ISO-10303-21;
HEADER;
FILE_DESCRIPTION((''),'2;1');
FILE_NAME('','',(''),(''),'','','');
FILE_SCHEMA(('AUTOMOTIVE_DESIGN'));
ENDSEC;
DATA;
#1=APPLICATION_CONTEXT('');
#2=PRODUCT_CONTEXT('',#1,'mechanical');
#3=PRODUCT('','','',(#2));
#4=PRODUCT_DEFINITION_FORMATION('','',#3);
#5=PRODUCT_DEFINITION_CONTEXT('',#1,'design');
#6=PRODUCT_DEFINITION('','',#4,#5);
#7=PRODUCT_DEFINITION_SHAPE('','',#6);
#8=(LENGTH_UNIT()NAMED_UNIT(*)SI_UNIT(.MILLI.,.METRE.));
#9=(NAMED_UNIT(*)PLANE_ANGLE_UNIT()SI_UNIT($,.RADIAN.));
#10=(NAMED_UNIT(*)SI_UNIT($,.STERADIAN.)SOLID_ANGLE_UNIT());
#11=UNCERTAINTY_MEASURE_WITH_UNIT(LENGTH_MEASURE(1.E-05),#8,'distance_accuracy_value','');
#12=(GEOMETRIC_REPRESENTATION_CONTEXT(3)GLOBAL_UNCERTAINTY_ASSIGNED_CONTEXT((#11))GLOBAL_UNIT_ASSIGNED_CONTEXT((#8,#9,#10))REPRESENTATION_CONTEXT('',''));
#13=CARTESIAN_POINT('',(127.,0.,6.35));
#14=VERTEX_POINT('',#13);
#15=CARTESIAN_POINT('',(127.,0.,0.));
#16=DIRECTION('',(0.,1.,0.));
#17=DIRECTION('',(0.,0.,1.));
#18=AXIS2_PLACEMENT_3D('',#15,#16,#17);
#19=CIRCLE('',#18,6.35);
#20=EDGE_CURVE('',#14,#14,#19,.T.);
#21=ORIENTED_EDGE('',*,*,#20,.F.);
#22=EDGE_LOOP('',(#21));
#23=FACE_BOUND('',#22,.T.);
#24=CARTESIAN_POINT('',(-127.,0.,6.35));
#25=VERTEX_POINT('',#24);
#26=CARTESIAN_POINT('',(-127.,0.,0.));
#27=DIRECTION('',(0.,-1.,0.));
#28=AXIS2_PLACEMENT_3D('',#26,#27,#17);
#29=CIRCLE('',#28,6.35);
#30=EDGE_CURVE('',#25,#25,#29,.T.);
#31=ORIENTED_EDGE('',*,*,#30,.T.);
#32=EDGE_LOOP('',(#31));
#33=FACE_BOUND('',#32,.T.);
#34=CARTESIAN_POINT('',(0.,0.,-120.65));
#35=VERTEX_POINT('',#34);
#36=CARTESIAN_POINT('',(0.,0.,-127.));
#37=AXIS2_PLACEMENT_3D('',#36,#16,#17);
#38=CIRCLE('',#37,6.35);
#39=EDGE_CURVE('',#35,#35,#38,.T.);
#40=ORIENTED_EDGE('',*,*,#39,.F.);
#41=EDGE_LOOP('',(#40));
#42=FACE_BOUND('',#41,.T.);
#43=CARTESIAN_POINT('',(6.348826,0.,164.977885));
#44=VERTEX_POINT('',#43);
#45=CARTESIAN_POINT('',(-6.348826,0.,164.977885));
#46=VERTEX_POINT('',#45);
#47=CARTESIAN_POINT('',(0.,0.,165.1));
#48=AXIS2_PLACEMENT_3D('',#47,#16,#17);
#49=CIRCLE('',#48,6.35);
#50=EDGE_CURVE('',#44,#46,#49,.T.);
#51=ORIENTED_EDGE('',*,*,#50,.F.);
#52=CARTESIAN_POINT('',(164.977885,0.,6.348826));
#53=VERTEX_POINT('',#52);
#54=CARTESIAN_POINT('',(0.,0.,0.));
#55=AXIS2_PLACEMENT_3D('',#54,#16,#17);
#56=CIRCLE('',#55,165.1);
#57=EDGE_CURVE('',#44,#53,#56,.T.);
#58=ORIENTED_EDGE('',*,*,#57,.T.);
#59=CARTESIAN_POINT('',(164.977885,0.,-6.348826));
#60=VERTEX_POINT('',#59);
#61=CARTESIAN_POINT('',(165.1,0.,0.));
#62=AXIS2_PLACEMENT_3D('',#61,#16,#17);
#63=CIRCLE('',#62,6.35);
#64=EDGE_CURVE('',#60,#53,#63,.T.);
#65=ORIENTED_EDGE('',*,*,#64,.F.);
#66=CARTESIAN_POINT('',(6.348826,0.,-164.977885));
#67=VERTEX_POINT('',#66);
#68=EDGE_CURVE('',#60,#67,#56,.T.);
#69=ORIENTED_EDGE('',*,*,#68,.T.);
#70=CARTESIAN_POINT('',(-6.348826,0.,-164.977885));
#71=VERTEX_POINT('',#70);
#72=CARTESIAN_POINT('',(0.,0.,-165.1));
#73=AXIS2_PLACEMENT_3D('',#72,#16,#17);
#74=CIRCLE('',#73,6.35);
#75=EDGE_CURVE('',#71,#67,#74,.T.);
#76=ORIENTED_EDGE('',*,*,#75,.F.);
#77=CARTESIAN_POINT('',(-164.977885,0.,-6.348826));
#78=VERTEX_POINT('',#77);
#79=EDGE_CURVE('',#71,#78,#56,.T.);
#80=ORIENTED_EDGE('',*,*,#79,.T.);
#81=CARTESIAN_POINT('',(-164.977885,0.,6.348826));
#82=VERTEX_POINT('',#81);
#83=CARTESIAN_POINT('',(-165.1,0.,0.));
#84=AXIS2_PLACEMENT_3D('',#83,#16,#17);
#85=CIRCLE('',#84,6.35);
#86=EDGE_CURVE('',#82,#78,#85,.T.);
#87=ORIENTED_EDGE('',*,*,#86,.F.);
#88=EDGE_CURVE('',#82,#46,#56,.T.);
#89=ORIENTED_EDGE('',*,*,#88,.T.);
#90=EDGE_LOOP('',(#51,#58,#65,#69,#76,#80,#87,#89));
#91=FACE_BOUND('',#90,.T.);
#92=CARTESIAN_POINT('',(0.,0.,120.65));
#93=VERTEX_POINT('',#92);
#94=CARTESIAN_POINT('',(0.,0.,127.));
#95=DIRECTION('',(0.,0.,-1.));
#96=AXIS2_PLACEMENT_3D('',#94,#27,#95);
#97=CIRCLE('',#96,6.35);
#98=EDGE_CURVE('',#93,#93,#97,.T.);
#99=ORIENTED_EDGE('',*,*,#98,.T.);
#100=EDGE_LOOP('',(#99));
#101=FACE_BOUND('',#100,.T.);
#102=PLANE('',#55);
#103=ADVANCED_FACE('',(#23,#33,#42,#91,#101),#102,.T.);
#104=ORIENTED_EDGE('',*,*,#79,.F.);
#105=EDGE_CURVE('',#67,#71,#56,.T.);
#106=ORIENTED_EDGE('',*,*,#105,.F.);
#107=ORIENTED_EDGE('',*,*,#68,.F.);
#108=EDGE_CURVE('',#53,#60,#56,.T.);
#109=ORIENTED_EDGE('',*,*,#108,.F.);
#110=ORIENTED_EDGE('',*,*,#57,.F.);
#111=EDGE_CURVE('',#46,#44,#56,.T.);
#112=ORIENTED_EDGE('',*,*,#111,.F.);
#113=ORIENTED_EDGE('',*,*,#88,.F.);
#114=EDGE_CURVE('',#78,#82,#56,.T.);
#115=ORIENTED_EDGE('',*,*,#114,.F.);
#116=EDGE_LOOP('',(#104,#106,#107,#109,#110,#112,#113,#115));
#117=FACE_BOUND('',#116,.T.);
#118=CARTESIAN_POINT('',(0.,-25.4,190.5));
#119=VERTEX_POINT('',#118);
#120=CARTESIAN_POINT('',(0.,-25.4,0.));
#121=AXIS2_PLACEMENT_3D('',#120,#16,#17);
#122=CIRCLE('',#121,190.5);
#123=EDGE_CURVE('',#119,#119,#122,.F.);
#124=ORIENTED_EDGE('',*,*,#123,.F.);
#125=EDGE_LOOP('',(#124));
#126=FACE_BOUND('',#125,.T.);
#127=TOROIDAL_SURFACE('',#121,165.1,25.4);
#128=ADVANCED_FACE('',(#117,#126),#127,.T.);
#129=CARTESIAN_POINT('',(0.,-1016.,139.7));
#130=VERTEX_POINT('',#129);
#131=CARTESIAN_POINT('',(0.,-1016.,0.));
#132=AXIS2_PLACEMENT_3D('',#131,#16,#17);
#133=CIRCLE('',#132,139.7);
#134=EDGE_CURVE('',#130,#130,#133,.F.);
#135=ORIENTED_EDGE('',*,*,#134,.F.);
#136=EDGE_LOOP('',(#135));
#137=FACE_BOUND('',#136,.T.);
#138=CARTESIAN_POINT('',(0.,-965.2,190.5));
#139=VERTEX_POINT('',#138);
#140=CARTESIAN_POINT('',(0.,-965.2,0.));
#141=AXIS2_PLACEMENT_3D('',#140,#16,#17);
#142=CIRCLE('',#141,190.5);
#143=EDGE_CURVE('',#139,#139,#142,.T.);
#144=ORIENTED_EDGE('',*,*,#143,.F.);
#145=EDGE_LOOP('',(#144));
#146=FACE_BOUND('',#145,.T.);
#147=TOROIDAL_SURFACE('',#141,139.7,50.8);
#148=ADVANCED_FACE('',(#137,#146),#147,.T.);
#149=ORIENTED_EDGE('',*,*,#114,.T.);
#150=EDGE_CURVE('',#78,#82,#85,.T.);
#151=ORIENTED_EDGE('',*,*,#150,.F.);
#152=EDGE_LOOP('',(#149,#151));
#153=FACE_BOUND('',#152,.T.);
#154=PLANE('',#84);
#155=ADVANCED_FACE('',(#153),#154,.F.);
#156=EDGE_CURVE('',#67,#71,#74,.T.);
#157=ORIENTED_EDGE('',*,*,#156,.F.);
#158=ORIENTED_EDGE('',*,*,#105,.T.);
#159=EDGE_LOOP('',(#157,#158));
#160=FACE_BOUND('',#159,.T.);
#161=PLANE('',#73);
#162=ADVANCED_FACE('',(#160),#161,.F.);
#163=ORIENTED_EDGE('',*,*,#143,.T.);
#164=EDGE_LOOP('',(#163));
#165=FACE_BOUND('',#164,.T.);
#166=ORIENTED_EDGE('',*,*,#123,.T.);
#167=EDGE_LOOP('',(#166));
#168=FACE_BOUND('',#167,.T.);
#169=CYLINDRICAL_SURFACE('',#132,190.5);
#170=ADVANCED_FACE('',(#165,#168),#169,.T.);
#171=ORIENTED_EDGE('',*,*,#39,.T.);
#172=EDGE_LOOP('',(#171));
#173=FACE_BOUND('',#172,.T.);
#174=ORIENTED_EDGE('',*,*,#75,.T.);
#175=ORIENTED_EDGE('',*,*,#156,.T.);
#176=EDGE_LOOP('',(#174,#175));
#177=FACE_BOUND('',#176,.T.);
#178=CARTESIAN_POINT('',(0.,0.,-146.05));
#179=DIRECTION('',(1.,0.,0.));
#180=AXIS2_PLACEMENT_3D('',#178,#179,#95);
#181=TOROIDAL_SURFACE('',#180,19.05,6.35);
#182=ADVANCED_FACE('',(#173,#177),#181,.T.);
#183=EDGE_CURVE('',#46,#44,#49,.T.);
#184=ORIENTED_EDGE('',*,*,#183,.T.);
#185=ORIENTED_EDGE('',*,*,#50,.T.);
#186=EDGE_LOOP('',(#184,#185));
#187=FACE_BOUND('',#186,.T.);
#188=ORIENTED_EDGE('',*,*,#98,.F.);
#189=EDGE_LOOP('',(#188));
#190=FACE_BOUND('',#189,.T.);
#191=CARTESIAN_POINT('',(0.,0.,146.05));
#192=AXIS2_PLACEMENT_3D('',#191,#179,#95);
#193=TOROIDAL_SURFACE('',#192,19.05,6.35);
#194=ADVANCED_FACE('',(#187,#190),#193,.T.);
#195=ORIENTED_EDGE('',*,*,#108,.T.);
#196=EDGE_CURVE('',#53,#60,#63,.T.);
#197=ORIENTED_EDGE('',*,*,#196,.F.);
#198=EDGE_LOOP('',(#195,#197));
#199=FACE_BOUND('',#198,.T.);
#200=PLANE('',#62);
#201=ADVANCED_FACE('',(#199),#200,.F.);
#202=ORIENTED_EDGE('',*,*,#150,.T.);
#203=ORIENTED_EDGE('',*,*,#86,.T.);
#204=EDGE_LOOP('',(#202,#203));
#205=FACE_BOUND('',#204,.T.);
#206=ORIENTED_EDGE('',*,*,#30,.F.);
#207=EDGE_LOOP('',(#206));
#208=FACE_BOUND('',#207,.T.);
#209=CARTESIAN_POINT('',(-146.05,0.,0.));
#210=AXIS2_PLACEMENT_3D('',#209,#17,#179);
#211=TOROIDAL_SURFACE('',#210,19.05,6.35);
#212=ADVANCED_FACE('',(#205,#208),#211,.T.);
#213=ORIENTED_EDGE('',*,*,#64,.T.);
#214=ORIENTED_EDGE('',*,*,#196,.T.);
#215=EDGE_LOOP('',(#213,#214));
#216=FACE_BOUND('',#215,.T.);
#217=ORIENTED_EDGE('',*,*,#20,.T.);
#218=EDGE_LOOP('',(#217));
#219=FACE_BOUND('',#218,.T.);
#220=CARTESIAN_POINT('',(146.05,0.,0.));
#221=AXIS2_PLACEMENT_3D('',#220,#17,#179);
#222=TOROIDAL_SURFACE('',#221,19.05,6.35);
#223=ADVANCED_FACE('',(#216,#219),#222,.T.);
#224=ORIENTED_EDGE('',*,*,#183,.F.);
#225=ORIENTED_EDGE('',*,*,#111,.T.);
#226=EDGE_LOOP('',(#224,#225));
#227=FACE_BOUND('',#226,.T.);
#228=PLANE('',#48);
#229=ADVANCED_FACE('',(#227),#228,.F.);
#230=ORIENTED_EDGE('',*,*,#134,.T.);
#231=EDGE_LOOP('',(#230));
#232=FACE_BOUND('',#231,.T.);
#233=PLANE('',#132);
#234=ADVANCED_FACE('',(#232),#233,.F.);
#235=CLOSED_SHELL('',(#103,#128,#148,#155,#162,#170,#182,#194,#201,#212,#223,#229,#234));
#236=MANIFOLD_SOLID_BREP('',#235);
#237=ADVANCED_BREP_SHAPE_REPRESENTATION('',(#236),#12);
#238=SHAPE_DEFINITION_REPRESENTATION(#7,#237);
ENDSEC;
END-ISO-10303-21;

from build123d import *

# Parameters (mm, degrees)
SKETCH1_R           = 190.5
BOSS_EXTRUDE1_DEPTH = 1016
FILLET1_R           = 50.8
FILLET2_R           = 25.4
SKETCH2_R           = 6.35
SKETCH5_R           = 6.35
SKETCH7_R           = 6.35
SKETCH6_R           = 6.35


with BuildPart() as part:
    # Sketch1 → Boss-Extrude1 (new body)
    with BuildSketch(Plane(origin=(0, 0, 0), x_dir=(1, 0, 0), z_dir=(0, 1, 0))):
        with Locations(Location((0, 0, 0), (0, 0, 270))):
            Circle(SKETCH1_R)
    extrude(amount=-BOSS_EXTRUDE1_DEPTH)

    # Fillet1
    fillet1_edges = [part.edges().sort_by_distance(p)[0] for p in [
        (0, -1016, -190.5),
    ]]
    fillet(fillet1_edges, radius=FILLET1_R)

    # Fillet2
    fillet2_edges = [part.edges().sort_by_distance(p)[0] for p in [
        (0, 0, -190.5),
    ]]
    fillet(fillet2_edges, radius=FILLET2_R)

    # Sweep1: sweep along a path in Sketch3
    with BuildLine(Plane.XY) as sweep1_path:
        ThreePointArc((-127, 0), (-146.05, 19.05), (-165.1, 0))
    # Sketch2 → Sweep1 (sweep)
    with BuildSketch(Plane(origin=(0, 0, 0), x_dir=(1, 0, 0), z_dir=(0, 1, 0))):
        with Locations((-165.1, 0)):
            Circle(SKETCH2_R)
    sweep(path=sweep1_path.line)

    # Sweep2: sweep along a path in Sketch4
    with BuildLine(Plane.XY) as sweep2_path:
        ThreePointArc((165.1, 0), (146.05, 19.05), (127, 0))
    # Sketch5 → Sweep2 (sweep)
    with BuildSketch(Plane(origin=(0, 0, 0), x_dir=(1, 0, 0), z_dir=(0, 1, 0))):
        with Locations((165.1, 0)):
            Circle(SKETCH5_R)
    sweep(path=sweep2_path.line)

    # Sweep3: sweep along a path in Sketch8
    with BuildLine(Plane(origin=(0, 0, 0), x_dir=(0, 0, -1), z_dir=(1, 0, 0))) as sweep3_path:
        ThreePointArc((-127, 0), (-146.05, 19.05), (-165.1, 0))
    # Sketch7 → Sweep3 (sweep)
    with BuildSketch(Plane(origin=(0, 0, 0), x_dir=(1, 0, 0), z_dir=(0, 1, 0))):
        with Locations((0, -165.1)):
            Circle(SKETCH7_R)
    sweep(path=sweep3_path.line)

    # Sweep4: sweep along a path in Sketch9
    with BuildLine(Plane(origin=(0, 0, 0), x_dir=(0, 0, -1), z_dir=(1, 0, 0))) as sweep4_path:
        ThreePointArc((165.1, 0), (146.05, 19.05), (127, 0))
    # Sketch6 → Sweep4 (sweep)
    with BuildSketch(Plane(origin=(0, 0, 0), x_dir=(1, 0, 0), z_dir=(0, 1, 0))):
        with Locations((0, 165.1)):
            Circle(SKETCH6_R)
    sweep(path=sweep4_path.line)


solid = part.part
